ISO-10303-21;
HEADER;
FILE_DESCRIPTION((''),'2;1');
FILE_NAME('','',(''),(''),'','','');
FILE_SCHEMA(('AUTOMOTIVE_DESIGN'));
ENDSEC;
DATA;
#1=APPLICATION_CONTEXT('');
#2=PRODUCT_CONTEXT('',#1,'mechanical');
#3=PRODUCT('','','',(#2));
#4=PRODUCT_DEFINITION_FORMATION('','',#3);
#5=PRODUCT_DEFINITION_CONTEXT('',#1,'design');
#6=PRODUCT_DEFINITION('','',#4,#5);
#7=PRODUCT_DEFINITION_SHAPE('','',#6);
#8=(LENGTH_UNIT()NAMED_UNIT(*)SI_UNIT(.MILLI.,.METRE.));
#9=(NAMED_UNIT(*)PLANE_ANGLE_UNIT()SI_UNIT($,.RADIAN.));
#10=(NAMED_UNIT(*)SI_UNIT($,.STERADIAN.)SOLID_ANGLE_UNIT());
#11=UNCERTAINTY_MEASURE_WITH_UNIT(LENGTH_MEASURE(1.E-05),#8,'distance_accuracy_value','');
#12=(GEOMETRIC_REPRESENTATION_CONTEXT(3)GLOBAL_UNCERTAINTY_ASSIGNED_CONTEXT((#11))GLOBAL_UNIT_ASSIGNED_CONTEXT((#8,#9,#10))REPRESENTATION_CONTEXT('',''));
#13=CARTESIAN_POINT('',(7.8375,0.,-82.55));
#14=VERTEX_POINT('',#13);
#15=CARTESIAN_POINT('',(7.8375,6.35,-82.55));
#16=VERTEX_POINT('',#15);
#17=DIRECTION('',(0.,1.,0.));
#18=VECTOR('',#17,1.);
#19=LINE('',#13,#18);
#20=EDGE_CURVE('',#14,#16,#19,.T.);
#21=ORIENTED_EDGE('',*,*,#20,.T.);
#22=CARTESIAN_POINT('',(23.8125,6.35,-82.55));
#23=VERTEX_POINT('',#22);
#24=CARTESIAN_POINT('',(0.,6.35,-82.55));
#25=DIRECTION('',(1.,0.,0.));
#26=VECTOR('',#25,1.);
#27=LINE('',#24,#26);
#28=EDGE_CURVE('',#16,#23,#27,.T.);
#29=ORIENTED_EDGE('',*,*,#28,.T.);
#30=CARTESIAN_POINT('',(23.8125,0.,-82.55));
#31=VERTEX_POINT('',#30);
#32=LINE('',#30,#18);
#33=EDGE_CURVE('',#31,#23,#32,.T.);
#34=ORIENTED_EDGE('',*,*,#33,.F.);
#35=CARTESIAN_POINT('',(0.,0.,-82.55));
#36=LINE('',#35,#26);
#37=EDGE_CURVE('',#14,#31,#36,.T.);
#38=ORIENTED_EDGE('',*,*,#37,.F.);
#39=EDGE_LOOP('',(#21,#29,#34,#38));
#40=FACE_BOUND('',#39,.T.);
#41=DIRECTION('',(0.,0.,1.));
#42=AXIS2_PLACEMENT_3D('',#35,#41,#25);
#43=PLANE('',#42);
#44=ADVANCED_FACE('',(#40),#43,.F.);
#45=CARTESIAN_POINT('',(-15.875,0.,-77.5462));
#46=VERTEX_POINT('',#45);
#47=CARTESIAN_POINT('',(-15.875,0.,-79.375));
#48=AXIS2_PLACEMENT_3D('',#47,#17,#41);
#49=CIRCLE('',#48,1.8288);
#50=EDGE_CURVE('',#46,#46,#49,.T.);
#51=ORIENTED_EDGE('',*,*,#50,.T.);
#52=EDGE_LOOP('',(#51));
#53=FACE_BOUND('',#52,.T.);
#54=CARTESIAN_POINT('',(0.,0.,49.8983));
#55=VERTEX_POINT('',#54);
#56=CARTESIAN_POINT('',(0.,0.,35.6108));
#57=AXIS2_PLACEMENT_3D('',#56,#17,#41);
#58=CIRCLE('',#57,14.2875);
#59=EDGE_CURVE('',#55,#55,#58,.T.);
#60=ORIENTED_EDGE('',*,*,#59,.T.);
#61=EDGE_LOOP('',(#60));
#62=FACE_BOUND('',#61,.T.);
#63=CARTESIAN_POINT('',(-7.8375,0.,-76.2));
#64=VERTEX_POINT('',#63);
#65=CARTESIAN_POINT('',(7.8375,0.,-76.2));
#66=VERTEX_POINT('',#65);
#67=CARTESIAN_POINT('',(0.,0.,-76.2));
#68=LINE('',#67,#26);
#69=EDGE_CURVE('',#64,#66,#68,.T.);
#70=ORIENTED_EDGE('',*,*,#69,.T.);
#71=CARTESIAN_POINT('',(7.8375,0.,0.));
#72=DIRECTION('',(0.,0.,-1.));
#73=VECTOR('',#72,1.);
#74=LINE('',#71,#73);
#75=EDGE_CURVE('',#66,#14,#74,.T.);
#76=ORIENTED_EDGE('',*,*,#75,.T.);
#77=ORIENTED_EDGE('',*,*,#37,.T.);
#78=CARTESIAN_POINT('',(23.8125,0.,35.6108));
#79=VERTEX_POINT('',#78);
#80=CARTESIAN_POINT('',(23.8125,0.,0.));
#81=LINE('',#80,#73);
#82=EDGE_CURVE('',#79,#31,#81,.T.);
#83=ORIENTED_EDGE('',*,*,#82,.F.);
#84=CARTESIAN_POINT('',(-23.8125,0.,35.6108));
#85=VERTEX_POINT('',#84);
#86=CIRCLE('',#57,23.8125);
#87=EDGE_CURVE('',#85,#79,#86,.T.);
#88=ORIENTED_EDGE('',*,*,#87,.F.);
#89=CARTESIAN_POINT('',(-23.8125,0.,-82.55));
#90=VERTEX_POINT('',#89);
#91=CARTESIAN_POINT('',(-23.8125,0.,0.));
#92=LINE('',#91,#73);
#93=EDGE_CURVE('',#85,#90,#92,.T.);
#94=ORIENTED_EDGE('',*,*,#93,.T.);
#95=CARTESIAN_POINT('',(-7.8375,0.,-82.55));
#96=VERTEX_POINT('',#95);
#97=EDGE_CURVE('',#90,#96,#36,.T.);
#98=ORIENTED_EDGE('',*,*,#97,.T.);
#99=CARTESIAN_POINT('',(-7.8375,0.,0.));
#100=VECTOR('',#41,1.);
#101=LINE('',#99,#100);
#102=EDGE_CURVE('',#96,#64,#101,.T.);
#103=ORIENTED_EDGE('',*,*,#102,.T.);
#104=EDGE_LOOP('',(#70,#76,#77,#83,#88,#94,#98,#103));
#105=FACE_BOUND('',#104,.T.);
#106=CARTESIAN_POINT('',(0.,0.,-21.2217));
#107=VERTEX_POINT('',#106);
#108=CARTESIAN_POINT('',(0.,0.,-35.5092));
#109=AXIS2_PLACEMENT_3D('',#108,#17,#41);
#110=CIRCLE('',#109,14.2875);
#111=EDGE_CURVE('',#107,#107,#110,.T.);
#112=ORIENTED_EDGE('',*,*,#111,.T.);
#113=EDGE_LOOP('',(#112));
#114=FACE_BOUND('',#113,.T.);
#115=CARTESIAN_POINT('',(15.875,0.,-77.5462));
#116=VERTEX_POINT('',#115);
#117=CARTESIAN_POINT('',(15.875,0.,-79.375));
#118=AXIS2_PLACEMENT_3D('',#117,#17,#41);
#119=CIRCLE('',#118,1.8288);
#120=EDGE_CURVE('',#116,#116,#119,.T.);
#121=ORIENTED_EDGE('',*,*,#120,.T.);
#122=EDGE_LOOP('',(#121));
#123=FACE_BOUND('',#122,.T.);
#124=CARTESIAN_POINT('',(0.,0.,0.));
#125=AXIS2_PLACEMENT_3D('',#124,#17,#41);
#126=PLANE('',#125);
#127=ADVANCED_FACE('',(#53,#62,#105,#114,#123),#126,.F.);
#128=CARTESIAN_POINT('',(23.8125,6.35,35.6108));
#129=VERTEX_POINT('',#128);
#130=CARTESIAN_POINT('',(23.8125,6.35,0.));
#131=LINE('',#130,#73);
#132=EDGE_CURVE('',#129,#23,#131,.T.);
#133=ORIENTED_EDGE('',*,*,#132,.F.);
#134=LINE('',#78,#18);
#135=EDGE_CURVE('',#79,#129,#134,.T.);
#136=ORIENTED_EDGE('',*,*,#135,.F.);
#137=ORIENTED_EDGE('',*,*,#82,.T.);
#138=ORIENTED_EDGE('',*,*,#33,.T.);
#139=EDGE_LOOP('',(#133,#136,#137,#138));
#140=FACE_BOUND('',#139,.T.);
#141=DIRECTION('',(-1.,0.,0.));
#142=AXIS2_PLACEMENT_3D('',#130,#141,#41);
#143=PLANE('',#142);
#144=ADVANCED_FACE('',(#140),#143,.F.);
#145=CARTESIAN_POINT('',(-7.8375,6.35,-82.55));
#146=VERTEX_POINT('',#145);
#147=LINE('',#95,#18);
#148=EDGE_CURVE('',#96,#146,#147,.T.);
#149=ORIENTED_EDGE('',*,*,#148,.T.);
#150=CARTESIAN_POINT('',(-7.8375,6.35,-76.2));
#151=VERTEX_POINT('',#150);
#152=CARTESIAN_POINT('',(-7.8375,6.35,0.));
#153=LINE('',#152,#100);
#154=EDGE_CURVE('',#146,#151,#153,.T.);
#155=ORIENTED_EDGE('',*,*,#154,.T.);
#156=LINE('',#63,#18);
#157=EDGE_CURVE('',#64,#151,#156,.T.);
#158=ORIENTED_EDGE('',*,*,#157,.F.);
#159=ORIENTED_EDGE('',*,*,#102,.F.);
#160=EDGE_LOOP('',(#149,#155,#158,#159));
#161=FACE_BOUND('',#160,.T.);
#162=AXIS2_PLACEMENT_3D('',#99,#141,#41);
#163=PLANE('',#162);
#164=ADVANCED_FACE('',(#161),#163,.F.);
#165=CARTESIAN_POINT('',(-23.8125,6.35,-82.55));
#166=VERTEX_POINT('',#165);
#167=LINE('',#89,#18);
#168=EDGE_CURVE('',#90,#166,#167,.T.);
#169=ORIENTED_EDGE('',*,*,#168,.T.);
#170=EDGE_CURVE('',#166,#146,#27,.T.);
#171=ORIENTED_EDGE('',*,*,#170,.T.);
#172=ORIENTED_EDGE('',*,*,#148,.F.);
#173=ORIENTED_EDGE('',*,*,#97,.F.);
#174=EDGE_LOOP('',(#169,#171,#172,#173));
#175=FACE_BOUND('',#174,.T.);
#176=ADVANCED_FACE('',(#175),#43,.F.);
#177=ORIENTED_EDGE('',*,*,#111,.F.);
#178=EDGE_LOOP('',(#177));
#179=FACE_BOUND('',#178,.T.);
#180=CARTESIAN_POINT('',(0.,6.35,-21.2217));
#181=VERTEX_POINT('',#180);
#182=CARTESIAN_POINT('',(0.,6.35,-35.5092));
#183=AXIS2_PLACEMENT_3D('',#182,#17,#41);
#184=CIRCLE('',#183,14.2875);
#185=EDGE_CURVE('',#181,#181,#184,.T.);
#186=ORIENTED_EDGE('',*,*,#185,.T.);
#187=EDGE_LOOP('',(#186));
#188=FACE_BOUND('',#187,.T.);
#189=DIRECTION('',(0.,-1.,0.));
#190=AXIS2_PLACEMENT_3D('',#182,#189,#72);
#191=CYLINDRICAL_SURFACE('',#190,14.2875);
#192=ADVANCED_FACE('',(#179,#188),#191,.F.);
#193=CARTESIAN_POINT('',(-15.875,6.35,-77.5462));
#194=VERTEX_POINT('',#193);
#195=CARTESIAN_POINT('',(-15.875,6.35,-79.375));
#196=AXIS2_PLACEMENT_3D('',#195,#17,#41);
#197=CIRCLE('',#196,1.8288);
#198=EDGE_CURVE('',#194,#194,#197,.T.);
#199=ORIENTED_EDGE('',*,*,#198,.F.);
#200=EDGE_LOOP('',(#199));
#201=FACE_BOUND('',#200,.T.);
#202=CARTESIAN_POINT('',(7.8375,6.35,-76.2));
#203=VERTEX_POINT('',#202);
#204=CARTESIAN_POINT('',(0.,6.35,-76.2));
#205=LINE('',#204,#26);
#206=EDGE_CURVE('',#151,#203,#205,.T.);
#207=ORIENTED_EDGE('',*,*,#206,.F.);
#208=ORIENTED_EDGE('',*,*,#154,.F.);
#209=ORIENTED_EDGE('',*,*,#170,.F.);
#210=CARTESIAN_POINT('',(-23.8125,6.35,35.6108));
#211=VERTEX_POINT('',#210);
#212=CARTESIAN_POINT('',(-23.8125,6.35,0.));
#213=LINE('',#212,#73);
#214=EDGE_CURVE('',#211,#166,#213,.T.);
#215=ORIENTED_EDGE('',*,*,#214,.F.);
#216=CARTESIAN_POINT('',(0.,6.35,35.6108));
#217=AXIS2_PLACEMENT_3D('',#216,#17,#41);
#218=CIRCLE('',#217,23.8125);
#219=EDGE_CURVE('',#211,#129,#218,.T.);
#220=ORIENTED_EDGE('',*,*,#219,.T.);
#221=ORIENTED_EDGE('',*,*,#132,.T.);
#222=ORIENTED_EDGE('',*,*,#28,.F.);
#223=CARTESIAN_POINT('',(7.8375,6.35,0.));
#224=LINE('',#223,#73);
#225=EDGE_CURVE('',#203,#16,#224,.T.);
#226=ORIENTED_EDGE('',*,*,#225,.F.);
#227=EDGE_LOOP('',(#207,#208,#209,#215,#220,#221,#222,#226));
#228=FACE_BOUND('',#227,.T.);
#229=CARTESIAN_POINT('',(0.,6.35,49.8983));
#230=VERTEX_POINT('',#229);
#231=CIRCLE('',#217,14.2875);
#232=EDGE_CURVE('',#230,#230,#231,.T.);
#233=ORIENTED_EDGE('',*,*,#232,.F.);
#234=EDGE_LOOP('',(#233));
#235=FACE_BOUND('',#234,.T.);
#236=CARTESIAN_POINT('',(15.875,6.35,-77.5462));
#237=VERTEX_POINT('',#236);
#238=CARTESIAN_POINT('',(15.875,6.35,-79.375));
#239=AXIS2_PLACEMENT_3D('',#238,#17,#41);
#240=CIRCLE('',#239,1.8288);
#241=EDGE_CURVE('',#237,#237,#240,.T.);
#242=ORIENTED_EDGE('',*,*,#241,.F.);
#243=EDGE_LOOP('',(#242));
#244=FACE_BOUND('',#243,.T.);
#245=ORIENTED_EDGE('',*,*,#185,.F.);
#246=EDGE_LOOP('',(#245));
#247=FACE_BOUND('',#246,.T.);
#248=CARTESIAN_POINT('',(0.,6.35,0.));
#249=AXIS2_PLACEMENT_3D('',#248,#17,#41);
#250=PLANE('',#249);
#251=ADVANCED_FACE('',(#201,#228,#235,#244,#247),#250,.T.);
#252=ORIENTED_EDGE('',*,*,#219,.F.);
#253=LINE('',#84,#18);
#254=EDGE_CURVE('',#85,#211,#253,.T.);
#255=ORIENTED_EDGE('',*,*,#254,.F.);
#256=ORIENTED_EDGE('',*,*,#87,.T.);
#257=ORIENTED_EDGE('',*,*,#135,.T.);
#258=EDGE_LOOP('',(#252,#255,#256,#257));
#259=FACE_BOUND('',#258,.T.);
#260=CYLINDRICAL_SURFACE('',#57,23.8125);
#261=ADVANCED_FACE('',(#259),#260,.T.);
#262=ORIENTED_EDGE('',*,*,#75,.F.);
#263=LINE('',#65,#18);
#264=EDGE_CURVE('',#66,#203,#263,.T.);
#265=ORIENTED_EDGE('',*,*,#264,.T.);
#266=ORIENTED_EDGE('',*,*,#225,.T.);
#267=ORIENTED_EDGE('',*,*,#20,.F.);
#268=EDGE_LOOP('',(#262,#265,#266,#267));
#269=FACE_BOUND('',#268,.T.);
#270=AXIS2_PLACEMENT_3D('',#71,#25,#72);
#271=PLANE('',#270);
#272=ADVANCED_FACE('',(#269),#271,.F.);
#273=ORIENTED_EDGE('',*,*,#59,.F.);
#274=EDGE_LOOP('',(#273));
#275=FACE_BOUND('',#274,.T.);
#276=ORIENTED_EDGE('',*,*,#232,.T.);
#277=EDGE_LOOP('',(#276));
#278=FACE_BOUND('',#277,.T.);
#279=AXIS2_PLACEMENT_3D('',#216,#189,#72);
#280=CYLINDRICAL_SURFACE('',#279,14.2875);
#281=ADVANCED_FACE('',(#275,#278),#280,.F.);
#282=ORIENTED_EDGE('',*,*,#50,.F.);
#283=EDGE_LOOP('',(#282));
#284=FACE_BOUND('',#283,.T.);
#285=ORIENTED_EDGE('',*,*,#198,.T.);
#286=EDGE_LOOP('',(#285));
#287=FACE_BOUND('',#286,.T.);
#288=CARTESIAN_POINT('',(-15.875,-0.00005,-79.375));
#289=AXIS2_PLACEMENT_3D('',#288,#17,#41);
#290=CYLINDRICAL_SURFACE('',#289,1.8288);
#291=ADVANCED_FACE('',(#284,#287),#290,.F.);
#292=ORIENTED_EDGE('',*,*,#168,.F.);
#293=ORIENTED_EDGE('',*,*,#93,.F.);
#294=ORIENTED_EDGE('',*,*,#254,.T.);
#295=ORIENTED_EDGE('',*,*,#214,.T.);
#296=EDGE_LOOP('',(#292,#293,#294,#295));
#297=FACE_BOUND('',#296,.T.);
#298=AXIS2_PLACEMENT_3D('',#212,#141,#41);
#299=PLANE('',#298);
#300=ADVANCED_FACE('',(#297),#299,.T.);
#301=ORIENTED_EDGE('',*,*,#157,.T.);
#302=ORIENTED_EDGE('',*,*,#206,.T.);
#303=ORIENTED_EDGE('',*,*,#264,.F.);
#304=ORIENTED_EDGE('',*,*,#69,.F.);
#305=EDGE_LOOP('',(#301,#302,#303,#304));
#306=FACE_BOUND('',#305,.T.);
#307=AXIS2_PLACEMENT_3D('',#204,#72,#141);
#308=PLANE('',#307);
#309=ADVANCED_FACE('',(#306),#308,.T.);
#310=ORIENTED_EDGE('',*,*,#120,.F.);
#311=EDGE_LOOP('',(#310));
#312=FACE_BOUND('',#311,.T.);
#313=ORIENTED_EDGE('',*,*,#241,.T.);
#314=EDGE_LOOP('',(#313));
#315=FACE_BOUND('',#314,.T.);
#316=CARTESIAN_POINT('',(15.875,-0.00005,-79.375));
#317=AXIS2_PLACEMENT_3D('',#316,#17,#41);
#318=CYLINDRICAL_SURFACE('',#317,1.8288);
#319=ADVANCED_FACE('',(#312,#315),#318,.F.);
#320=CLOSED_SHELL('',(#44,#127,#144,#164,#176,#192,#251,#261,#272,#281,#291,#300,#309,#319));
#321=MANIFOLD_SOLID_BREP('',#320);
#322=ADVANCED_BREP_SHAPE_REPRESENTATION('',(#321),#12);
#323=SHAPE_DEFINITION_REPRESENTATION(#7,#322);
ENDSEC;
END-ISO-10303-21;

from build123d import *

# Parameters (mm, degrees)
SKETCH1_W           = 47.625
SKETCH1_H           = 152.4
SKETCH1_R           = 14.2875
BOSS_EXTRUDE1_DEPTH = 6.35
CUT_EXTRUDE1_DEPTH  = 81.086188923
SKETCH3_W           = 15.975
SKETCH3_H           = 6.35
BOSS_EXTRUDE2_DEPTH = 6.35
SKETCH4_R           = 1.8288
CUT_EXTRUDE2_DEPTH  = 87.15021855


with BuildPart() as part:
    # Sketch1 → Boss-Extrude1 (new body)
    with BuildSketch(Plane(origin=(0, 0, 0), x_dir=(1, 0, 0), z_dir=(0, 1, 0))):
        Rectangle(SKETCH1_W, SKETCH1_H)
        with Locations(Location((0, 35.5092, 0), (0, 0, 270))):
            Circle(SKETCH1_R, mode=Mode.SUBTRACT)
        with Locations(Location((0, -35.6108, 0), (0, 0, 270))):
            Circle(SKETCH1_R, mode=Mode.SUBTRACT)
    extrude(amount=BOSS_EXTRUDE1_DEPTH)

    # Sketch2 → Cut-Extrude1 (cut, through all)
    with BuildSketch(Plane(origin=(0, 6.35, 0), x_dir=(1, 0, 0), z_dir=(0, 1, 0))):
        with BuildLine():
            ThreePointArc((23.8125, -35.6108), (0, -59.4233), (-23.8125, -35.6108))
            Line((-23.8125, -35.6108), (-23.8125, -76.2))
            Line((-23.8125, -76.2), (23.8125, -76.2))
            Line((23.8125, -76.2), (23.8125, -35.6108))
        make_face()
    extrude(amount=-CUT_EXTRUDE1_DEPTH, mode=Mode.SUBTRACT)

    # Sketch3 → Boss-Extrude2 (add)
    with BuildSketch(Plane(origin=(0, 6.35, 0), x_dir=(1, 0, 0), z_dir=(0, 1, 0))):
        with Locations((-15.825, 79.375)):
            Rectangle(SKETCH3_W, SKETCH3_H)
        with Locations((15.825, 79.375)):
            Rectangle(SKETCH3_W, SKETCH3_H)
    extrude(amount=-BOSS_EXTRUDE2_DEPTH)

    # Sketch4 → Cut-Extrude2 (cut, through all)
    with BuildSketch(Plane(origin=(0, 6.35, 0), x_dir=(1, 0, 0), z_dir=(0, 1, 0))):
        with Locations(Location((-15.875, 79.375, 0), (0, 0, 270))):
            Circle(SKETCH4_R)
        with Locations(Location((15.875, 79.375, 0), (0, 0, 270))):
            Circle(SKETCH4_R)
    extrude(amount=-CUT_EXTRUDE2_DEPTH, mode=Mode.SUBTRACT)


solid = part.part
